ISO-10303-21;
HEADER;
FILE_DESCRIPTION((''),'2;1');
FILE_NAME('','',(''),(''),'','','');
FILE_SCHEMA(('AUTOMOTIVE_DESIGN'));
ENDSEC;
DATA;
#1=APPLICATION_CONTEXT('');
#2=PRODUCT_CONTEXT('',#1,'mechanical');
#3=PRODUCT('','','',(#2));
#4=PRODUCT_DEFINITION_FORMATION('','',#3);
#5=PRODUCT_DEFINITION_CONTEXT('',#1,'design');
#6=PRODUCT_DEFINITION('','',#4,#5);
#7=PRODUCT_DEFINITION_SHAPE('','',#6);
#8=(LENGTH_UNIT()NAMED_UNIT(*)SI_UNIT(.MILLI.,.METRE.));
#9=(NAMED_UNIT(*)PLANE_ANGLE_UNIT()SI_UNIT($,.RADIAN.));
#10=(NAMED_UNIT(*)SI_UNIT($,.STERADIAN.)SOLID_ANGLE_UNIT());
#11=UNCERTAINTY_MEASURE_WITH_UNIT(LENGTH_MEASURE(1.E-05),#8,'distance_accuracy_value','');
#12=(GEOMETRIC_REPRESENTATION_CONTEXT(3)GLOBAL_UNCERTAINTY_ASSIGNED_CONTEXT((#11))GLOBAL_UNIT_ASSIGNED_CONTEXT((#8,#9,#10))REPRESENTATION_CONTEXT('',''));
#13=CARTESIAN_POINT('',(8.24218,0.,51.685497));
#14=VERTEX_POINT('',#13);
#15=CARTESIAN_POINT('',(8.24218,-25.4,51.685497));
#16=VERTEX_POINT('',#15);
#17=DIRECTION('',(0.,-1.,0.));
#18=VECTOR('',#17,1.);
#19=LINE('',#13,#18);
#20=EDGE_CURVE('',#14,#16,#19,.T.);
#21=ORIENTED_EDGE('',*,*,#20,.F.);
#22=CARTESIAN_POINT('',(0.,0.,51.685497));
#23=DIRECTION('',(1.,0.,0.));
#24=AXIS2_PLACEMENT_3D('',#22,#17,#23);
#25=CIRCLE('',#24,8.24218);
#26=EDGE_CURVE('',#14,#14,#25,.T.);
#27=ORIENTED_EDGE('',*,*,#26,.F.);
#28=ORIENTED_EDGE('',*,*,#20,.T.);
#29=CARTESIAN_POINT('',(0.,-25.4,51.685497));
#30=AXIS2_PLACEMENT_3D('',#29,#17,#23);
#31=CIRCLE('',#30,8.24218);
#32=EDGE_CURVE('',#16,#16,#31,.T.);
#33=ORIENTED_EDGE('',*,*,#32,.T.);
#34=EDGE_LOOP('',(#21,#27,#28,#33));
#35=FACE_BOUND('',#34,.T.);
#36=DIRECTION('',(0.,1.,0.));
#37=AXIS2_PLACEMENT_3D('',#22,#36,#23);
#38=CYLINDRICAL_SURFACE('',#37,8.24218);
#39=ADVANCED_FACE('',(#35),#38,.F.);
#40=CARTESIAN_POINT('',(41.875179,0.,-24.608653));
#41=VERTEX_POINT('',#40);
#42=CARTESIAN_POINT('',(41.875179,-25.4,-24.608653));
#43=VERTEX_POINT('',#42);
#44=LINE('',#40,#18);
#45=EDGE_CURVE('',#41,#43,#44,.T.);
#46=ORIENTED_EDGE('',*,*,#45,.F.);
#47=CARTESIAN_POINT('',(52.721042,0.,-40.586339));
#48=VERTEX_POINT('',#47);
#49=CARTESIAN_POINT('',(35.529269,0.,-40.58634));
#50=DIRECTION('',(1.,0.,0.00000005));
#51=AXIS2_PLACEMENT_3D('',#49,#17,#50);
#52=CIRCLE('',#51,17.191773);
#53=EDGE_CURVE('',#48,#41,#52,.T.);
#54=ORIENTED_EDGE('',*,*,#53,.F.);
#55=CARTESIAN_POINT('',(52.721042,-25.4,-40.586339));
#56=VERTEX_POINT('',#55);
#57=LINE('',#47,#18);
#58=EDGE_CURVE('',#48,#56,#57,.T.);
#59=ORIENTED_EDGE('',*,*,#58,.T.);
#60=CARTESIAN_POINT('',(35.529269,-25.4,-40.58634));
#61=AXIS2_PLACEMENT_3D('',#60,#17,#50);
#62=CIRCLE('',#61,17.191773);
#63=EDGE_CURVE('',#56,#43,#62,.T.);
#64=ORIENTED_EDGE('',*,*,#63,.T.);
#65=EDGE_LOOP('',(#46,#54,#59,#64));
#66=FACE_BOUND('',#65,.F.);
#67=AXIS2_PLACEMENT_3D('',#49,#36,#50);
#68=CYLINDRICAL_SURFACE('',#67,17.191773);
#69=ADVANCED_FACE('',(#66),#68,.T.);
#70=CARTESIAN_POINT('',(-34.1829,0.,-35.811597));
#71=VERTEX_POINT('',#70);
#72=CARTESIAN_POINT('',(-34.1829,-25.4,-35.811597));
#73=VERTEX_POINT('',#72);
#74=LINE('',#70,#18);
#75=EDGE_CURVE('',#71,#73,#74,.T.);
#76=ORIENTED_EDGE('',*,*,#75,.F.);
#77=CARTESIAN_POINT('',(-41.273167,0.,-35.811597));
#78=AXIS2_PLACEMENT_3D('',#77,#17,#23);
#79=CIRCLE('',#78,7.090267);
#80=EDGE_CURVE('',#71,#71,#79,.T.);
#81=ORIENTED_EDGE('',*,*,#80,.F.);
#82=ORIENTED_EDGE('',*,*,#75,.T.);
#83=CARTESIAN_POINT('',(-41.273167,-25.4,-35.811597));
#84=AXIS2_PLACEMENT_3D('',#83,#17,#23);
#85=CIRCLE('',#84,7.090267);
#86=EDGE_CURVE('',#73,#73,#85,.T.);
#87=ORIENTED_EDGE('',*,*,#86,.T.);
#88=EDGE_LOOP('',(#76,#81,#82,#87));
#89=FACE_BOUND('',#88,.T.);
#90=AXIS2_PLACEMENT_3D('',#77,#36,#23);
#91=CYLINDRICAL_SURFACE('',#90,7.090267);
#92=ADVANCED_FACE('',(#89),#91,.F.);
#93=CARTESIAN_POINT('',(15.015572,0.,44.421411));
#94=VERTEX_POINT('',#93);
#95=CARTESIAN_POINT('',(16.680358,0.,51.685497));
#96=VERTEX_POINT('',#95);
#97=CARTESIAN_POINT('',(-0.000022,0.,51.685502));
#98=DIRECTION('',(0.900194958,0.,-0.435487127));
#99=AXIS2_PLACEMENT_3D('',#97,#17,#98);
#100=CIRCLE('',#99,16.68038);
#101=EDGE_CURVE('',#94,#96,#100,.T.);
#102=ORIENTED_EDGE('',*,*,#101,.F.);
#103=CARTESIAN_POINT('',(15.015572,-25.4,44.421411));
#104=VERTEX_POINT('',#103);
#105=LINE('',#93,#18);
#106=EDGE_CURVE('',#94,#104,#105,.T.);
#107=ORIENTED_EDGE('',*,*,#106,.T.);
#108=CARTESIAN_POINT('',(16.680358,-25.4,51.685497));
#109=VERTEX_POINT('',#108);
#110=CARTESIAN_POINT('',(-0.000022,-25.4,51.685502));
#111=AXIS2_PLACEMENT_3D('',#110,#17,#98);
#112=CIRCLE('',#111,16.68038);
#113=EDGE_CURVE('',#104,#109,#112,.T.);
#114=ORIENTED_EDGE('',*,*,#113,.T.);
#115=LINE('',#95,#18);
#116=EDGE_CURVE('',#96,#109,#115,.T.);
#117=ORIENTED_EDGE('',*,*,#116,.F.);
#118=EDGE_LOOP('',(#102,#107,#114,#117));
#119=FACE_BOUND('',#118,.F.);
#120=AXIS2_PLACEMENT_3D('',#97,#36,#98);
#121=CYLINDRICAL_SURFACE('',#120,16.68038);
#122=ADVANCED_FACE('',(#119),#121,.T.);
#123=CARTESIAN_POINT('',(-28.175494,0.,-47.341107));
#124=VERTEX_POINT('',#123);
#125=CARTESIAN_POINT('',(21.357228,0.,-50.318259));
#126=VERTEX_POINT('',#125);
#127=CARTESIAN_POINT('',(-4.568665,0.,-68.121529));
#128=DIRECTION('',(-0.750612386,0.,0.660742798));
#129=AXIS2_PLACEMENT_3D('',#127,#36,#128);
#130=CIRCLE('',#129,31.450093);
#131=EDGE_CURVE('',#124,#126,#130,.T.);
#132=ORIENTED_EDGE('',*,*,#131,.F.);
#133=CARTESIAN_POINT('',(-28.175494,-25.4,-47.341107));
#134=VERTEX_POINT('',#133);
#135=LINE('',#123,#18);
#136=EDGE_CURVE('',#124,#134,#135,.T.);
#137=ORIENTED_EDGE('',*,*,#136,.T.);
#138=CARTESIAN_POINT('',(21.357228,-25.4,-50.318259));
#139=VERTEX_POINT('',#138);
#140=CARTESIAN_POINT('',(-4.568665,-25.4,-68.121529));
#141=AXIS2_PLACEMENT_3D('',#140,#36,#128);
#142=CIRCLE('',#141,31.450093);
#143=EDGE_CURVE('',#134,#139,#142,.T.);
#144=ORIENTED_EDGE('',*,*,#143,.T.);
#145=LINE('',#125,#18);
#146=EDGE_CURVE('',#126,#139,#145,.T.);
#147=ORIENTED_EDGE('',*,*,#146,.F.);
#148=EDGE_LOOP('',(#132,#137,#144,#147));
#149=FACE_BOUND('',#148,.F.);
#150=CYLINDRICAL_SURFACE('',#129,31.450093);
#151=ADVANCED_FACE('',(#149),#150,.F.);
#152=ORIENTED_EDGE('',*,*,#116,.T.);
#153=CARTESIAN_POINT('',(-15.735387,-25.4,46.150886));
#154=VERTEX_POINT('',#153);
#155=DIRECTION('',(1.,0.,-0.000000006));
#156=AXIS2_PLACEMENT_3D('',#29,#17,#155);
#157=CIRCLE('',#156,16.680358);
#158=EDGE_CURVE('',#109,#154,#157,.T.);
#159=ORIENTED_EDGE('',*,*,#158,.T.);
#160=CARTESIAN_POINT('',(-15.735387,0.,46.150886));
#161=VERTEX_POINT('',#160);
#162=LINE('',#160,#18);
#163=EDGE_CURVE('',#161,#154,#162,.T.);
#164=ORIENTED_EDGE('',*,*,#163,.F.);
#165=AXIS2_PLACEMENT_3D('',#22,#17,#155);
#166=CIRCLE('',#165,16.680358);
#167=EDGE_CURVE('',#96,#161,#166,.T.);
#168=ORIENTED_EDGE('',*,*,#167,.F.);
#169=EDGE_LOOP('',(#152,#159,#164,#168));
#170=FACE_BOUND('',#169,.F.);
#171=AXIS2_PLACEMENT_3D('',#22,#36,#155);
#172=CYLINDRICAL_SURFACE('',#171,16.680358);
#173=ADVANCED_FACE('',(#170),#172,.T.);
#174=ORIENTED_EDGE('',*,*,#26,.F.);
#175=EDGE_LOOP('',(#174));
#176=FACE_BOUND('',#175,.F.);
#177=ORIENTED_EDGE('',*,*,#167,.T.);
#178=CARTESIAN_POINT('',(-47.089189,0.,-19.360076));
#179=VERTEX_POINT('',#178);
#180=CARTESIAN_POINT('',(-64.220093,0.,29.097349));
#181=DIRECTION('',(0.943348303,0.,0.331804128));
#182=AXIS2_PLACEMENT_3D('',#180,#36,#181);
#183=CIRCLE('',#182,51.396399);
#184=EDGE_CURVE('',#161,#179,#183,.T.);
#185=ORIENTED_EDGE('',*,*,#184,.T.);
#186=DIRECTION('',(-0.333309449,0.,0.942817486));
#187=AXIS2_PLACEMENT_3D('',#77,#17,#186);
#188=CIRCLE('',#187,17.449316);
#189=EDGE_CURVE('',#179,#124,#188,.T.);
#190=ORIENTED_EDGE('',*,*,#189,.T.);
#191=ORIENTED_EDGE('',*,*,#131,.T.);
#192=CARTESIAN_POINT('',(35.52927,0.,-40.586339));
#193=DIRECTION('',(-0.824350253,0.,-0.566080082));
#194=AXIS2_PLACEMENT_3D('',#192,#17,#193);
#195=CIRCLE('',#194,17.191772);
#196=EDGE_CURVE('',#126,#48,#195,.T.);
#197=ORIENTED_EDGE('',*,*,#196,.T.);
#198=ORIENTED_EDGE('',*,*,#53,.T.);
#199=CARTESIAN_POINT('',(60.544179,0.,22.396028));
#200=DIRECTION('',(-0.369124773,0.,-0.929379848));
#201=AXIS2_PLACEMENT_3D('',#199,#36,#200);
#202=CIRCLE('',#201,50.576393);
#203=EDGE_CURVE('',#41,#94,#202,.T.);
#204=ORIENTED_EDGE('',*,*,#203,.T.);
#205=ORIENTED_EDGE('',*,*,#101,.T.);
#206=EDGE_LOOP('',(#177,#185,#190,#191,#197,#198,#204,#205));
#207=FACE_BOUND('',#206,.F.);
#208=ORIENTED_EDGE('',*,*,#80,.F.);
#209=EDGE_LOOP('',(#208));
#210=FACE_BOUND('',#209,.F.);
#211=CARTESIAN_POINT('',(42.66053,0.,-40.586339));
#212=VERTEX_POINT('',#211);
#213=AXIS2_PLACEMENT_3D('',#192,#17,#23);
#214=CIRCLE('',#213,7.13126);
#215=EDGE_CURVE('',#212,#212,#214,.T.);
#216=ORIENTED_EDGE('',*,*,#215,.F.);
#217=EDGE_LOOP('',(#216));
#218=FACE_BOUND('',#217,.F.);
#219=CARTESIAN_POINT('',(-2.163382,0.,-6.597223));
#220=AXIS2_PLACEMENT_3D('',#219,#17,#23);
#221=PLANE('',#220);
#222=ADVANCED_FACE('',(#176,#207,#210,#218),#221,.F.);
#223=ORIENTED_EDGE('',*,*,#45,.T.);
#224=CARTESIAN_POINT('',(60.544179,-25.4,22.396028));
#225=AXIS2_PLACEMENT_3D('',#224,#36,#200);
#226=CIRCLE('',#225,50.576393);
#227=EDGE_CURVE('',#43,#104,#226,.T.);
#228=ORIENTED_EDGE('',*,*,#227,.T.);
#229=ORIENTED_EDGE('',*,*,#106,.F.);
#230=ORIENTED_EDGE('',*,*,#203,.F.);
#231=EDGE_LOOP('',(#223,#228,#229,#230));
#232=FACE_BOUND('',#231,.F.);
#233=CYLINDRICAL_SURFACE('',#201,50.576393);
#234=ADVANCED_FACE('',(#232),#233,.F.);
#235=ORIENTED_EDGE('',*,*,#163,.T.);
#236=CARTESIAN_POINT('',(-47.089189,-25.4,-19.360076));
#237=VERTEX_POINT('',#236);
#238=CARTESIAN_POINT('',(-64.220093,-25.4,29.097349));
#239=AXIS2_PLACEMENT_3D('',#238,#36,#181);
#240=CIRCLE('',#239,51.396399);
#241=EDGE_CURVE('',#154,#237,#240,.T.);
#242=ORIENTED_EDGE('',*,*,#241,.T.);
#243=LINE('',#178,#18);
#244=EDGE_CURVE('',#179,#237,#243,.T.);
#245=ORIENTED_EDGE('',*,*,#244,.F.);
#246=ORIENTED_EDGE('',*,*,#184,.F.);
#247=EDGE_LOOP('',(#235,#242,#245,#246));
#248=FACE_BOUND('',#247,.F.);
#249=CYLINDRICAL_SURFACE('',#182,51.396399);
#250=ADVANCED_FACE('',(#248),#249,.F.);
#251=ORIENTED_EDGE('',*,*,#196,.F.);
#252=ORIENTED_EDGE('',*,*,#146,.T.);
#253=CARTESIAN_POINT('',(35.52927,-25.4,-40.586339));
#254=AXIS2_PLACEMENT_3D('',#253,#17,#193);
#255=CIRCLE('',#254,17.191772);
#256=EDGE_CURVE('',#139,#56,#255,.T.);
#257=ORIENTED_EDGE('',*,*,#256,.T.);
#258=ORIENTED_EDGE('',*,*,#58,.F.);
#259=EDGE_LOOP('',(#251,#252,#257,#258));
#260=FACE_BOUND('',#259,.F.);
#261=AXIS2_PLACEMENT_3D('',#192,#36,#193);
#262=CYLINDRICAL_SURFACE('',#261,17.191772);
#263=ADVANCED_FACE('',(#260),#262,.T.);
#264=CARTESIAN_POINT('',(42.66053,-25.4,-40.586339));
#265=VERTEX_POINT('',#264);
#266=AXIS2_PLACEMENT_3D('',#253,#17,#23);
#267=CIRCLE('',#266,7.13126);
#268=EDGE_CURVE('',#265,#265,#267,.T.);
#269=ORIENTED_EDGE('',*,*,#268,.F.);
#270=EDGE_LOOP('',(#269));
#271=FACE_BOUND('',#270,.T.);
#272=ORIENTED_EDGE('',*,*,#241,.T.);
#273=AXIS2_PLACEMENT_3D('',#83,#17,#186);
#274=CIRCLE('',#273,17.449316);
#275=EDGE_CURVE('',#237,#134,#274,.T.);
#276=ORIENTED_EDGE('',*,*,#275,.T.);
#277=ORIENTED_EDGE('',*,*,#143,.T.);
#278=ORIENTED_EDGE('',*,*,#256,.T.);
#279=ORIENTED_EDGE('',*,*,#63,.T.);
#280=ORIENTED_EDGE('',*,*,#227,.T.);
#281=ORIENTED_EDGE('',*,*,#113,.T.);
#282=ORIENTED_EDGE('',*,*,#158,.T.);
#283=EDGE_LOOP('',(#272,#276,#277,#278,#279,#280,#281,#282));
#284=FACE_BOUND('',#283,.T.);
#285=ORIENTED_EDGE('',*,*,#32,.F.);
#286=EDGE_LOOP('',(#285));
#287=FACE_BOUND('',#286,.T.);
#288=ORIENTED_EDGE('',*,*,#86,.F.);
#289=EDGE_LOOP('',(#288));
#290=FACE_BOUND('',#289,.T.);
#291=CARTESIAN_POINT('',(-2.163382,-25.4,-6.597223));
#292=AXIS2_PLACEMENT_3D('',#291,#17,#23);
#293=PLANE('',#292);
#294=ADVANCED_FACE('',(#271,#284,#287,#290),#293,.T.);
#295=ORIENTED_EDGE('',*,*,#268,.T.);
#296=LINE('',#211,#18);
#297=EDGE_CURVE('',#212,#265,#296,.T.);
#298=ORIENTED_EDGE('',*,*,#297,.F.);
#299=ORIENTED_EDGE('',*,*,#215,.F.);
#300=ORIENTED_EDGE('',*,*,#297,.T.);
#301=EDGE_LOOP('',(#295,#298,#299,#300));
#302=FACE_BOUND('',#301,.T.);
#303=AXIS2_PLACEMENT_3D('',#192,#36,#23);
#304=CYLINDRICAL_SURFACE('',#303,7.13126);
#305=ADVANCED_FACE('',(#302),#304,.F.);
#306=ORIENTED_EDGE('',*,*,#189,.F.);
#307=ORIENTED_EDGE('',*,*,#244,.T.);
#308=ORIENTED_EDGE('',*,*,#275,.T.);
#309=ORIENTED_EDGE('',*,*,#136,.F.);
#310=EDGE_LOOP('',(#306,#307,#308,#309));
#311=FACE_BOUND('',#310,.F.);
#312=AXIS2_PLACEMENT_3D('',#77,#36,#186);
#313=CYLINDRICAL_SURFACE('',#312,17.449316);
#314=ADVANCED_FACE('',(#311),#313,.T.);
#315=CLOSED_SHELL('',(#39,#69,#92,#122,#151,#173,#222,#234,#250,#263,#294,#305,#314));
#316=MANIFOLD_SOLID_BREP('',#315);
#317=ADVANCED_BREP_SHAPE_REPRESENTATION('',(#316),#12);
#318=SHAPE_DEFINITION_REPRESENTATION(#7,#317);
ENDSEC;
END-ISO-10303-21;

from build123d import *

# Parameters (mm, degrees)
F0_R     = 8.24218
F0_R_2   = 7.090267
F0_R_3   = 7.13126
F1_DEPTH = 25.4


with BuildPart() as f1:
    # F0 (on Front) → F1 (new body)
    with BuildSketch(Plane.XZ):
        with BuildLine():
            ThreePointArc((15.015572, 44.421411), (-0.936645, 35.031458), (-15.735387, 46.150886))
            ThreePointArc((-15.735387, 46.150886), (-17.859834, 6.909148), (-47.089189, -19.360076))
            ThreePointArc((-47.089189, -19.360076), (-31.198619, -21.564417), (-23.82385, -35.811597))
            ThreePointArc((-23.82385, -35.811597), (-24.94797, -41.973301), (-28.175494, -47.341107))
            ThreePointArc((-28.175494, -47.341107), (-2.68177, -36.728091), (21.357228, -50.318259))
            ThreePointArc((21.357228, -50.318259), (22.092081, -29.862581), (41.875179, -24.608653))
            ThreePointArc((41.875179, -24.608653), (13.410108, 4.056155), (15.015572, 44.421411))
        make_face()
        with BuildLine():
            ThreePointArc((15.015572, 44.421411), (16.258835, 47.959291), (16.680358, 51.685497))
            ThreePointArc((16.680358, 51.685497), (-2.807352, 68.127915), (-15.735387, 46.150886))
            ThreePointArc((-15.735387, 46.150886), (-0.936645, 35.031458), (15.015572, 44.421411))
        make_face()
        with Locations((0, 51.685497)):
            Circle(F0_R, mode=Mode.SUBTRACT)
        with BuildLine():
            ThreePointArc((-23.82385, -35.811597), (-31.198619, -21.564417), (-47.089189, -19.360076))
            ThreePointArc((-47.089189, -19.360076), (-55.729658, -45.583419), (-28.175494, -47.341107))
            ThreePointArc((-28.175494, -47.341107), (-24.94797, -41.973301), (-23.82385, -35.811597))
        make_face()
        with Locations((-41.273167, -35.811597)):
            Circle(F0_R_2, mode=Mode.SUBTRACT)
        with BuildLine():
            ThreePointArc((52.721042, -40.586339), (49.753447, -30.930781), (41.875179, -24.608653))
            ThreePointArc((41.875179, -24.608653), (22.092081, -29.862581), (21.357228, -50.318259))
            ThreePointArc((21.357228, -50.318259), (40.624096, -57.005833), (52.721042, -40.586339))
        make_face()
        with Locations((35.52927, -40.586339)):
            Circle(F0_R_3, mode=Mode.SUBTRACT)
    extrude(amount=F1_DEPTH)


solid = f1.part
